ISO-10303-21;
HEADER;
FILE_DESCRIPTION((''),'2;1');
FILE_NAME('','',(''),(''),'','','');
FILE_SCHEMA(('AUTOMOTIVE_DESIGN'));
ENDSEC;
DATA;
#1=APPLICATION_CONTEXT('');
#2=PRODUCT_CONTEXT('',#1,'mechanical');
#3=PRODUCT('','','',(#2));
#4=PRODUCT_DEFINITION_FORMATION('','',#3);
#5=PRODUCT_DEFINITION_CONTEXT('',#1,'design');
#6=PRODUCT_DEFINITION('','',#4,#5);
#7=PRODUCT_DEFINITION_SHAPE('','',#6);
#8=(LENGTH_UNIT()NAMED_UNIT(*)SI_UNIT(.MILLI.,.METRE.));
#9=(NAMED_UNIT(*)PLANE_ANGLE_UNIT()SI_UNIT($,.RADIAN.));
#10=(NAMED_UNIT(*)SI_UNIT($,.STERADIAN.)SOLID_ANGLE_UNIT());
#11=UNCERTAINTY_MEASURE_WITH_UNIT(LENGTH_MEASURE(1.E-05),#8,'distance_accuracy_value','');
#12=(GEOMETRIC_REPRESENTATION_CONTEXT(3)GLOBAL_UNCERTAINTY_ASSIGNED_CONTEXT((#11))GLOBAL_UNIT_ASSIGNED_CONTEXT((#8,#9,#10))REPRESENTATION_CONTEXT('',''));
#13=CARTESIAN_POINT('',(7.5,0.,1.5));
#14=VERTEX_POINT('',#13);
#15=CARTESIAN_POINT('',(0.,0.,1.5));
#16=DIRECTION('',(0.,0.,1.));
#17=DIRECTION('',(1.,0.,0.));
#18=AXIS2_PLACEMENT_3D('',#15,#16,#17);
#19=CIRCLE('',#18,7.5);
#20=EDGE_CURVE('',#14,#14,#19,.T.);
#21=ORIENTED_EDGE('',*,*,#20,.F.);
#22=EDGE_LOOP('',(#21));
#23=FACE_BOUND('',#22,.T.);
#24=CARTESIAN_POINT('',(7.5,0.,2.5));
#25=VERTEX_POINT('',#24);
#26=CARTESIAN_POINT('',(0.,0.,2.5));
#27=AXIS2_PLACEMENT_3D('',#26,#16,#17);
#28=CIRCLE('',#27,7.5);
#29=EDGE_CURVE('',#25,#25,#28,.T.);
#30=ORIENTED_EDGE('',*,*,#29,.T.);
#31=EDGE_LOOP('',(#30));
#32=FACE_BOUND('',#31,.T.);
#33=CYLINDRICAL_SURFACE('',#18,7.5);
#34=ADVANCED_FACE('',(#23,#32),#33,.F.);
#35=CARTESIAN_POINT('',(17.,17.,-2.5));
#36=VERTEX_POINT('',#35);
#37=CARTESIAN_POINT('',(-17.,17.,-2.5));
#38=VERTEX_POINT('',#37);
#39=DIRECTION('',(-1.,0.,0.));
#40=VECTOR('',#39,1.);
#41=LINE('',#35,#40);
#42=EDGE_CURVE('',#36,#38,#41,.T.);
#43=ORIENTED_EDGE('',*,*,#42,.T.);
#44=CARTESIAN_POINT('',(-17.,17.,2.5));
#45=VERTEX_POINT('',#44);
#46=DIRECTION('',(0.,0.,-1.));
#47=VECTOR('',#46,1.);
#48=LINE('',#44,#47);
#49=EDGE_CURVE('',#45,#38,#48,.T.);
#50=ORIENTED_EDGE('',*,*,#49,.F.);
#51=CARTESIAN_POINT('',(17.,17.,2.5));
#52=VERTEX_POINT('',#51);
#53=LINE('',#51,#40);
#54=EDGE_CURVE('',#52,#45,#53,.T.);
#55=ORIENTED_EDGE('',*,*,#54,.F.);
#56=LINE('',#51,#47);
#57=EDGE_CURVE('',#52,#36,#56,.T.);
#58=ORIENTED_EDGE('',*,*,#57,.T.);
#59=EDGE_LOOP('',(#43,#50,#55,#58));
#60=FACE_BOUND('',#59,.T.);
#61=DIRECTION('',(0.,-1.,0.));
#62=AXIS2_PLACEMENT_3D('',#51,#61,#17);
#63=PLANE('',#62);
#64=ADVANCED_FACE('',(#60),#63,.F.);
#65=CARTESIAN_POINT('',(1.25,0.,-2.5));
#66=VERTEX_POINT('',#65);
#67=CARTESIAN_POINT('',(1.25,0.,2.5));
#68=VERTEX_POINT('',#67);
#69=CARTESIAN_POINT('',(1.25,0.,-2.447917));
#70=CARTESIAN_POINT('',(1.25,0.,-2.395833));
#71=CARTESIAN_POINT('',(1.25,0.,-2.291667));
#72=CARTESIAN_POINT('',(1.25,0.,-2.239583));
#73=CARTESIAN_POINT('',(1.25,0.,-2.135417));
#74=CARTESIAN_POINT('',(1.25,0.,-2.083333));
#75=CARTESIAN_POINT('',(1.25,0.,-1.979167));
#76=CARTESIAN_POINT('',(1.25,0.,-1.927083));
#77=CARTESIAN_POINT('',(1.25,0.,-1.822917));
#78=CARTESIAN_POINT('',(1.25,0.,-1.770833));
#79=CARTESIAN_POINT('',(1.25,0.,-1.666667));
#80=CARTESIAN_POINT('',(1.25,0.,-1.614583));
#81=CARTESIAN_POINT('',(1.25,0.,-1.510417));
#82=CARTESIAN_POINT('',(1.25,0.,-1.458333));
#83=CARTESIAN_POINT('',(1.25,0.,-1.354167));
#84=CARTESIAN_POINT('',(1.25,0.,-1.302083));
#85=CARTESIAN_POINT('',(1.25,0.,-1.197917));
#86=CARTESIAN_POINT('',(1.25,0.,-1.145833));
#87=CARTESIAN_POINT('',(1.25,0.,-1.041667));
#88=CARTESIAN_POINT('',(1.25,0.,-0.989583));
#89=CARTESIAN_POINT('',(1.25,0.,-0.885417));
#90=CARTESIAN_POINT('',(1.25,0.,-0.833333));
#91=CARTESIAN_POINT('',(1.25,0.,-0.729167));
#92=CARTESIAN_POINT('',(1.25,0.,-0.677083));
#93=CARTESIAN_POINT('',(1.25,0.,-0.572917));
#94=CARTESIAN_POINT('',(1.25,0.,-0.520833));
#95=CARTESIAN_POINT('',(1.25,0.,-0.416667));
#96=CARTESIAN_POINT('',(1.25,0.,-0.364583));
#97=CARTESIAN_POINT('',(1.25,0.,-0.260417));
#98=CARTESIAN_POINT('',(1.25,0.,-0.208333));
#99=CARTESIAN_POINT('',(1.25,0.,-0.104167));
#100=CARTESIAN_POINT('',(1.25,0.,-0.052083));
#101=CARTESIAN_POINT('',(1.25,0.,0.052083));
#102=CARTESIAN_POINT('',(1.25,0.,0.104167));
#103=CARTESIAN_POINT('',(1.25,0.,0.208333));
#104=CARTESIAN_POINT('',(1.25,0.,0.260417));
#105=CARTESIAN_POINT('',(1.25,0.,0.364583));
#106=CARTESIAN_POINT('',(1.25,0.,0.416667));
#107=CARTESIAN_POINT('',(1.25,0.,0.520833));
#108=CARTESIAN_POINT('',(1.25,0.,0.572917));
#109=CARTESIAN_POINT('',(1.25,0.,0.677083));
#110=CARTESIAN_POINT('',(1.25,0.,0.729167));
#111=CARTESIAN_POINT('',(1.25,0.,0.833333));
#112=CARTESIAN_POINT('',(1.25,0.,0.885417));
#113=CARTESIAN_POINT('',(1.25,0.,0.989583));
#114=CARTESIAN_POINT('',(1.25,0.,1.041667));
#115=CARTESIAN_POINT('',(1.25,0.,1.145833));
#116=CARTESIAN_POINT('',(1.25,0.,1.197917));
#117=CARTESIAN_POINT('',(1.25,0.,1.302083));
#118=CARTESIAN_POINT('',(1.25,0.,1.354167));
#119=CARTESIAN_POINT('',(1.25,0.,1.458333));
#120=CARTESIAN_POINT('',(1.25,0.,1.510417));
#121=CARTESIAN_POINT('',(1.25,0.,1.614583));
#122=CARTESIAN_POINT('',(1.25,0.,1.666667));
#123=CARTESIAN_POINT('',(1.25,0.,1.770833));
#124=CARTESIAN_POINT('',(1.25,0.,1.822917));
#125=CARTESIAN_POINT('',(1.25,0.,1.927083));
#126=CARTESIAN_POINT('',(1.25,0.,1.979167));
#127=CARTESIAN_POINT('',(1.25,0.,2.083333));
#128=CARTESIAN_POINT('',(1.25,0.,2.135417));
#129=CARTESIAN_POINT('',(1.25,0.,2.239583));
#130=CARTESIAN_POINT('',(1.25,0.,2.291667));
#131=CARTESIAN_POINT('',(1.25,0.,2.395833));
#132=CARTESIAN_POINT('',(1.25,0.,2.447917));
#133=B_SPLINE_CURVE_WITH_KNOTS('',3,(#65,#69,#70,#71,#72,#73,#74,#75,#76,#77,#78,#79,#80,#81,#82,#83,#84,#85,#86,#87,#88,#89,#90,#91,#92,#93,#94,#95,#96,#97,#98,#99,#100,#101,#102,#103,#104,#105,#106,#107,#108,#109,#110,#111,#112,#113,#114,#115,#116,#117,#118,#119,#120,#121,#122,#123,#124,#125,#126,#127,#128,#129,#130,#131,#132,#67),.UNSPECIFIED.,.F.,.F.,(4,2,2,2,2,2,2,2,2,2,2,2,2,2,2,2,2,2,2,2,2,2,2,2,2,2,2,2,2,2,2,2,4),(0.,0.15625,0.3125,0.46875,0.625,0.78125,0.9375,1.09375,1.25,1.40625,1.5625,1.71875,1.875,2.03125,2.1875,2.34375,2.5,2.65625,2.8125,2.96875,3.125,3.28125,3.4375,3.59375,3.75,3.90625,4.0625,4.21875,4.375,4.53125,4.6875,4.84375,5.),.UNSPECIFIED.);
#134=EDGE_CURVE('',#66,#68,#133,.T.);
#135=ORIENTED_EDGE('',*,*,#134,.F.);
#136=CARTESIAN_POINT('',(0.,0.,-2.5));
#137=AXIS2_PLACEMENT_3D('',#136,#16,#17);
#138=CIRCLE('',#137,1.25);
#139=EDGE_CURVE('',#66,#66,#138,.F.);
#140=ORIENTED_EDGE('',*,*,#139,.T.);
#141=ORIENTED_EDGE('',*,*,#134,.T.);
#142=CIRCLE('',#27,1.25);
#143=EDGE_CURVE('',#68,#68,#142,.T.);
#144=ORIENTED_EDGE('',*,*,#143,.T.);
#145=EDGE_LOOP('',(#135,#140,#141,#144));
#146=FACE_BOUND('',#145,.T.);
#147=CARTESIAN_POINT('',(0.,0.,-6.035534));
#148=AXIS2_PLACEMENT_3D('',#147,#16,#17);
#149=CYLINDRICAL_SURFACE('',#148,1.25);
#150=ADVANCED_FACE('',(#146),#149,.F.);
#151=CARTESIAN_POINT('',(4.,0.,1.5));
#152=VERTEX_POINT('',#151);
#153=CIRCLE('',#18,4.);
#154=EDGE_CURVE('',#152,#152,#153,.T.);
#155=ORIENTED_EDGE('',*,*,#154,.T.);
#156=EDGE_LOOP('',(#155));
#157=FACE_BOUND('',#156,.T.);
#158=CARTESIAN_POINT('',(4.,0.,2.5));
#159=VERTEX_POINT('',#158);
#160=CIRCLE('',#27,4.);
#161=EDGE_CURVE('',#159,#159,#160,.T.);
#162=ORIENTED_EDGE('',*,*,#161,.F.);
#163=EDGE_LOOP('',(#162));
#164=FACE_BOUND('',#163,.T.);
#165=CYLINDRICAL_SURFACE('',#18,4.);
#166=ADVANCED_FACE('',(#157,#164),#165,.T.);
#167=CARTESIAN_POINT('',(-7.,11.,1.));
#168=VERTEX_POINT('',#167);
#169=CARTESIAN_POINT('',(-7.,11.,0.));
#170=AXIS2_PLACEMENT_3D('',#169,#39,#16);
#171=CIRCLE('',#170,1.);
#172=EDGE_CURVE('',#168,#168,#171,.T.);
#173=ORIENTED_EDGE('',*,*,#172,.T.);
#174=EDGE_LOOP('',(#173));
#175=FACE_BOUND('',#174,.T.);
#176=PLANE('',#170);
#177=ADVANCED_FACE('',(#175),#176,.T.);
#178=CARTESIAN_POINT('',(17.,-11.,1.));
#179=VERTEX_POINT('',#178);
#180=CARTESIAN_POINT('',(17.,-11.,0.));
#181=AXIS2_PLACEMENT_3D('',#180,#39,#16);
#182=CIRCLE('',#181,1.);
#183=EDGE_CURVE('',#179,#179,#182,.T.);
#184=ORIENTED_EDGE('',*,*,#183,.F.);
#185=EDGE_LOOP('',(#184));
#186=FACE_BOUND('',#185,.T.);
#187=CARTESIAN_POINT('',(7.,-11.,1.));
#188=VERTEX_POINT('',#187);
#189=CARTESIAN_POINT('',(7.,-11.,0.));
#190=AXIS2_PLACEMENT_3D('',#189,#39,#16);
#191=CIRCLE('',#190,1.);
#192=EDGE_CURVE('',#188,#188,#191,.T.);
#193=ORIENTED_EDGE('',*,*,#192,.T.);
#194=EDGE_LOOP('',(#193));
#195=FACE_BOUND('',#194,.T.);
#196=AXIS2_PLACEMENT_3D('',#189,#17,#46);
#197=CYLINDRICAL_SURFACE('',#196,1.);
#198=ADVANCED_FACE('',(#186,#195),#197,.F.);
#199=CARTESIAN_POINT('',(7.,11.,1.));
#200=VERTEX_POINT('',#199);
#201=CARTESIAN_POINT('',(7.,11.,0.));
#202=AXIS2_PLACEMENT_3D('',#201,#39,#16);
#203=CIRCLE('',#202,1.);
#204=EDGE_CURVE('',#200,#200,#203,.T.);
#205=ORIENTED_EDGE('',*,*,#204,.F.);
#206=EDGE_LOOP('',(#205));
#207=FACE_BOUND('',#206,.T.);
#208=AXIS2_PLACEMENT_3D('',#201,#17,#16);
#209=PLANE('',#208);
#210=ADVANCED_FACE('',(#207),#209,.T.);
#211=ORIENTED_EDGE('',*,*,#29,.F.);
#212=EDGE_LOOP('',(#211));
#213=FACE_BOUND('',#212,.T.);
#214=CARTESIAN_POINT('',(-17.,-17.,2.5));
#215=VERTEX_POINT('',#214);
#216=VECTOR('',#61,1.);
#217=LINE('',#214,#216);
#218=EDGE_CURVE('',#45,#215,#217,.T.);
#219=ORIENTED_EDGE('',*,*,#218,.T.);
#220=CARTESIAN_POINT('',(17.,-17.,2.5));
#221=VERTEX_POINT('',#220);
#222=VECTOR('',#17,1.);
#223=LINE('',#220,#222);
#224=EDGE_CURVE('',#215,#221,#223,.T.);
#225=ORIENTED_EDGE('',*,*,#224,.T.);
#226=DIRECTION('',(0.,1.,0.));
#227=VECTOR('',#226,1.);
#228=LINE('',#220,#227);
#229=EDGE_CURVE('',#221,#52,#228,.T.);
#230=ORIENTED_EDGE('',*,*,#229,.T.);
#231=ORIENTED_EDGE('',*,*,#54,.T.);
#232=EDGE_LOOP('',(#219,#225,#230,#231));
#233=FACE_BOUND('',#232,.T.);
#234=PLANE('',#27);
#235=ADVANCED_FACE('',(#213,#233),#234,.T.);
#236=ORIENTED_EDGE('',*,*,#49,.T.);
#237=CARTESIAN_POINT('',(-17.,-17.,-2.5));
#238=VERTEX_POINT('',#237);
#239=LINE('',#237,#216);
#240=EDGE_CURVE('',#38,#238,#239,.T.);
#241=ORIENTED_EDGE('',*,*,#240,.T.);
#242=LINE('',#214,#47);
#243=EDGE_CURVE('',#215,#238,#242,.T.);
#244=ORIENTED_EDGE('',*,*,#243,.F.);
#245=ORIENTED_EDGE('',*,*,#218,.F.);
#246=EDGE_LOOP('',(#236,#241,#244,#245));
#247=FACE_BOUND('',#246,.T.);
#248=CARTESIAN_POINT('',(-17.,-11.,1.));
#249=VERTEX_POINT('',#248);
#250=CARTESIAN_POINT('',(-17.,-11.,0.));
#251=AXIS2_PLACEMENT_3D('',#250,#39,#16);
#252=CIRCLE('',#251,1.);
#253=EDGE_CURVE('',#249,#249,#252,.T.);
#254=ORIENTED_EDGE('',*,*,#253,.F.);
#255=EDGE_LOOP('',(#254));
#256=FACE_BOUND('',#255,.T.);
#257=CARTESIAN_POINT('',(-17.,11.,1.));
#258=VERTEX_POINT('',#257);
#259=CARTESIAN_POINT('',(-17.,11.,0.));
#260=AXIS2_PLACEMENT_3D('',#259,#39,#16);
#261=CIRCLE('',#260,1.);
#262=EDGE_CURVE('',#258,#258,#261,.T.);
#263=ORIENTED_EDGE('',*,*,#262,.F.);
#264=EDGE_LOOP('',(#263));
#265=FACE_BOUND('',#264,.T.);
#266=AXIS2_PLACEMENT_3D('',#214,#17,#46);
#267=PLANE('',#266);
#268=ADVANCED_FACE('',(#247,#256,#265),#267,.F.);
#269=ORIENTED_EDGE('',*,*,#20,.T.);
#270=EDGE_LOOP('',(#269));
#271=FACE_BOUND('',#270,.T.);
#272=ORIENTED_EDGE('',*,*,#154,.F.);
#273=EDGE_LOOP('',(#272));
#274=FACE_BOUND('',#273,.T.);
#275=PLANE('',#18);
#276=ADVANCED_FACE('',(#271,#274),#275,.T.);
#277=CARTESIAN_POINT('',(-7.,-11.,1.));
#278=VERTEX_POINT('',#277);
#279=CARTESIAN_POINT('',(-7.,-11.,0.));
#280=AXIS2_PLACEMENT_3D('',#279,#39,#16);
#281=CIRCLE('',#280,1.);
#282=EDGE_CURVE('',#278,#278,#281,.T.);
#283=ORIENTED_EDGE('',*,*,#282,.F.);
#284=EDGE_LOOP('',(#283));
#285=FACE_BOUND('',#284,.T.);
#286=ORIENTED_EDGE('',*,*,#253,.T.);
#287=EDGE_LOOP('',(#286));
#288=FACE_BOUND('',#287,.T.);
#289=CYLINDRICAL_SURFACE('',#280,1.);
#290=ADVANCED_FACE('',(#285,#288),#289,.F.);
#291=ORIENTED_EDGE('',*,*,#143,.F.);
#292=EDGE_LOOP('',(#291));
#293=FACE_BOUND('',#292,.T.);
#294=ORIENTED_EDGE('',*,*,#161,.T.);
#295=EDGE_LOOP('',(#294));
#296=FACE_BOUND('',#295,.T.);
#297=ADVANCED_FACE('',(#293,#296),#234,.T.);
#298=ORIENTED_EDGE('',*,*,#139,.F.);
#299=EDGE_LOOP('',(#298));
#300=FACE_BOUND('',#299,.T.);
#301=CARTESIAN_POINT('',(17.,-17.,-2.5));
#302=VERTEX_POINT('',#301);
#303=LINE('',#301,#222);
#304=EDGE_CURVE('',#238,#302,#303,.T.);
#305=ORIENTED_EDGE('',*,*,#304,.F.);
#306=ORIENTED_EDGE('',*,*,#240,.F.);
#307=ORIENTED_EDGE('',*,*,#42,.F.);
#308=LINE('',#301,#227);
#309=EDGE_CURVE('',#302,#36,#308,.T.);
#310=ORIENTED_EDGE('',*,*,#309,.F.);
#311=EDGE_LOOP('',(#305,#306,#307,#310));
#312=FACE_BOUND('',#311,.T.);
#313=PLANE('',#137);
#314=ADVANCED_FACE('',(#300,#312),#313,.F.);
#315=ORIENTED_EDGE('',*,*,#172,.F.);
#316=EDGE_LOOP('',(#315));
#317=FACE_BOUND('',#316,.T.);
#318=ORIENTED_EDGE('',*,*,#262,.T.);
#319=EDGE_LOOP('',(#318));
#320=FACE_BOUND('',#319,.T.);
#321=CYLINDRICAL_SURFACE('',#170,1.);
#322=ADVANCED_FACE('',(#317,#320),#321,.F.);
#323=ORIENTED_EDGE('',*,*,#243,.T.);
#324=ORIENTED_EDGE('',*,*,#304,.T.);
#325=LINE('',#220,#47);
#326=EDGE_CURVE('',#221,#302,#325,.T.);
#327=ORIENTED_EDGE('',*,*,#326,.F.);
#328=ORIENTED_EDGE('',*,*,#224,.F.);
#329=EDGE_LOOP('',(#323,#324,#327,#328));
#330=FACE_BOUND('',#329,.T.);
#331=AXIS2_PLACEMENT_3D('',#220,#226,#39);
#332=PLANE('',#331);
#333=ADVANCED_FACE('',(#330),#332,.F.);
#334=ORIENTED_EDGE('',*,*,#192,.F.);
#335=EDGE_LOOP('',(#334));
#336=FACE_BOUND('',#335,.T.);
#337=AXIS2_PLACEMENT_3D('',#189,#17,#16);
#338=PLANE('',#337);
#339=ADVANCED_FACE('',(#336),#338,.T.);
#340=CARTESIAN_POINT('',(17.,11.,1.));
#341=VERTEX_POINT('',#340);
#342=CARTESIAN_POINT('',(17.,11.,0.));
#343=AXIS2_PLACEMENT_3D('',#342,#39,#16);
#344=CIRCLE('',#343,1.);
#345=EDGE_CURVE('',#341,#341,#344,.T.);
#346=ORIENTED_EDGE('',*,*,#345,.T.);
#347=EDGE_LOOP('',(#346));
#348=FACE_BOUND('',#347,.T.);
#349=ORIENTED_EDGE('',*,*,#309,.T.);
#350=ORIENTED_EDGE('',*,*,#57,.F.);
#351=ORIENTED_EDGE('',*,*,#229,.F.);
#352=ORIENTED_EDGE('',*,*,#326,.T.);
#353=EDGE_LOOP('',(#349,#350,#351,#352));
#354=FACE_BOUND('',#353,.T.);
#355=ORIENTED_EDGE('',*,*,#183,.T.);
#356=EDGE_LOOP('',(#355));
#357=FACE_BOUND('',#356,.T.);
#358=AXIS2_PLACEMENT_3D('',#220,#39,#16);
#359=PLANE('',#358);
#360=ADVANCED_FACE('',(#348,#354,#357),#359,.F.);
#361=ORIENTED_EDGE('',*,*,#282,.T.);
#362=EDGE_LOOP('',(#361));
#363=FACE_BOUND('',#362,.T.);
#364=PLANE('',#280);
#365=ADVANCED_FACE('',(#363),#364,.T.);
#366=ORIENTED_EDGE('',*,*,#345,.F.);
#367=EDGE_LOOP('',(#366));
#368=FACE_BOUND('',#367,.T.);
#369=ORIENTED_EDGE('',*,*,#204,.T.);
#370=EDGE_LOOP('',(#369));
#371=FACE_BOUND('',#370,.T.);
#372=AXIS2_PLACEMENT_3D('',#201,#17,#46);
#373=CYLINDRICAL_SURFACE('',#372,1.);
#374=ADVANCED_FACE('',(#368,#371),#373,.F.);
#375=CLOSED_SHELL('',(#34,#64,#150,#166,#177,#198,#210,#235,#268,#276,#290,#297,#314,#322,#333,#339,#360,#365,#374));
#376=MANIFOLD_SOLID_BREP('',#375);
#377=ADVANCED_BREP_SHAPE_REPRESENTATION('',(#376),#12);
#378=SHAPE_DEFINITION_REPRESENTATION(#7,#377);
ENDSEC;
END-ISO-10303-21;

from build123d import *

# Parameters (mm, degrees)
ESBO_O1_W                = 34
ESBO_O1_H                = 34
RESSALTO_EXTRUS_O1_DEPTH = 2.5
ESBO_O2_R                = 7.5
ESBO_O2_R_2              = 4
CORTE_EXTRUS_O1_DEPTH    = 1
ESBO_O3_R                = 1.25
CORTE_EXTRUS_O2_DEPTH    = 5
ESBO_O4_R                = 1
CORTE_EXTRUS_O3_DEPTH    = 10


with BuildPart() as part:
    # Esboço1 → Ressalto-extrusão1 (new, symmetric)
    with BuildSketch(Plane.XY):
        Rectangle(ESBO_O1_W, ESBO_O1_H)
    extrude(amount=RESSALTO_EXTRUS_O1_DEPTH, both=True)

    # Esboço2 → Corte-extrusão1 (cut)
    with BuildSketch(Plane.XY.offset(2.5)):
        Circle(ESBO_O2_R)
        Circle(ESBO_O2_R_2, mode=Mode.SUBTRACT)
    extrude(amount=-CORTE_EXTRUS_O1_DEPTH, mode=Mode.SUBTRACT)

    # Esboço3 → Corte-extrusão2 (cut)
    with BuildSketch(Plane.XY.offset(2.5)):
        Circle(ESBO_O3_R)
    extrude(amount=-CORTE_EXTRUS_O2_DEPTH, mode=Mode.SUBTRACT)

    # Esboço4 → Corte-extrusão3 (cut)
    with BuildSketch(Plane.ZY.offset(17)):
        with Locations((0, 11)):
            Circle(ESBO_O4_R)
        with Locations((0, -11)):
            Circle(ESBO_O4_R)
    corte_extrus_o3 = extrude(amount=-CORTE_EXTRUS_O3_DEPTH, mode=Mode.SUBTRACT)

    # Espelhar1: Corte-extrusão3 across plane
    add(corte_extrus_o3.mirror(Plane(origin=(0, 0, 0), x_dir=(0, 0, 1), z_dir=(1, 0, 0))), mode=Mode.SUBTRACT)


solid = part.part
